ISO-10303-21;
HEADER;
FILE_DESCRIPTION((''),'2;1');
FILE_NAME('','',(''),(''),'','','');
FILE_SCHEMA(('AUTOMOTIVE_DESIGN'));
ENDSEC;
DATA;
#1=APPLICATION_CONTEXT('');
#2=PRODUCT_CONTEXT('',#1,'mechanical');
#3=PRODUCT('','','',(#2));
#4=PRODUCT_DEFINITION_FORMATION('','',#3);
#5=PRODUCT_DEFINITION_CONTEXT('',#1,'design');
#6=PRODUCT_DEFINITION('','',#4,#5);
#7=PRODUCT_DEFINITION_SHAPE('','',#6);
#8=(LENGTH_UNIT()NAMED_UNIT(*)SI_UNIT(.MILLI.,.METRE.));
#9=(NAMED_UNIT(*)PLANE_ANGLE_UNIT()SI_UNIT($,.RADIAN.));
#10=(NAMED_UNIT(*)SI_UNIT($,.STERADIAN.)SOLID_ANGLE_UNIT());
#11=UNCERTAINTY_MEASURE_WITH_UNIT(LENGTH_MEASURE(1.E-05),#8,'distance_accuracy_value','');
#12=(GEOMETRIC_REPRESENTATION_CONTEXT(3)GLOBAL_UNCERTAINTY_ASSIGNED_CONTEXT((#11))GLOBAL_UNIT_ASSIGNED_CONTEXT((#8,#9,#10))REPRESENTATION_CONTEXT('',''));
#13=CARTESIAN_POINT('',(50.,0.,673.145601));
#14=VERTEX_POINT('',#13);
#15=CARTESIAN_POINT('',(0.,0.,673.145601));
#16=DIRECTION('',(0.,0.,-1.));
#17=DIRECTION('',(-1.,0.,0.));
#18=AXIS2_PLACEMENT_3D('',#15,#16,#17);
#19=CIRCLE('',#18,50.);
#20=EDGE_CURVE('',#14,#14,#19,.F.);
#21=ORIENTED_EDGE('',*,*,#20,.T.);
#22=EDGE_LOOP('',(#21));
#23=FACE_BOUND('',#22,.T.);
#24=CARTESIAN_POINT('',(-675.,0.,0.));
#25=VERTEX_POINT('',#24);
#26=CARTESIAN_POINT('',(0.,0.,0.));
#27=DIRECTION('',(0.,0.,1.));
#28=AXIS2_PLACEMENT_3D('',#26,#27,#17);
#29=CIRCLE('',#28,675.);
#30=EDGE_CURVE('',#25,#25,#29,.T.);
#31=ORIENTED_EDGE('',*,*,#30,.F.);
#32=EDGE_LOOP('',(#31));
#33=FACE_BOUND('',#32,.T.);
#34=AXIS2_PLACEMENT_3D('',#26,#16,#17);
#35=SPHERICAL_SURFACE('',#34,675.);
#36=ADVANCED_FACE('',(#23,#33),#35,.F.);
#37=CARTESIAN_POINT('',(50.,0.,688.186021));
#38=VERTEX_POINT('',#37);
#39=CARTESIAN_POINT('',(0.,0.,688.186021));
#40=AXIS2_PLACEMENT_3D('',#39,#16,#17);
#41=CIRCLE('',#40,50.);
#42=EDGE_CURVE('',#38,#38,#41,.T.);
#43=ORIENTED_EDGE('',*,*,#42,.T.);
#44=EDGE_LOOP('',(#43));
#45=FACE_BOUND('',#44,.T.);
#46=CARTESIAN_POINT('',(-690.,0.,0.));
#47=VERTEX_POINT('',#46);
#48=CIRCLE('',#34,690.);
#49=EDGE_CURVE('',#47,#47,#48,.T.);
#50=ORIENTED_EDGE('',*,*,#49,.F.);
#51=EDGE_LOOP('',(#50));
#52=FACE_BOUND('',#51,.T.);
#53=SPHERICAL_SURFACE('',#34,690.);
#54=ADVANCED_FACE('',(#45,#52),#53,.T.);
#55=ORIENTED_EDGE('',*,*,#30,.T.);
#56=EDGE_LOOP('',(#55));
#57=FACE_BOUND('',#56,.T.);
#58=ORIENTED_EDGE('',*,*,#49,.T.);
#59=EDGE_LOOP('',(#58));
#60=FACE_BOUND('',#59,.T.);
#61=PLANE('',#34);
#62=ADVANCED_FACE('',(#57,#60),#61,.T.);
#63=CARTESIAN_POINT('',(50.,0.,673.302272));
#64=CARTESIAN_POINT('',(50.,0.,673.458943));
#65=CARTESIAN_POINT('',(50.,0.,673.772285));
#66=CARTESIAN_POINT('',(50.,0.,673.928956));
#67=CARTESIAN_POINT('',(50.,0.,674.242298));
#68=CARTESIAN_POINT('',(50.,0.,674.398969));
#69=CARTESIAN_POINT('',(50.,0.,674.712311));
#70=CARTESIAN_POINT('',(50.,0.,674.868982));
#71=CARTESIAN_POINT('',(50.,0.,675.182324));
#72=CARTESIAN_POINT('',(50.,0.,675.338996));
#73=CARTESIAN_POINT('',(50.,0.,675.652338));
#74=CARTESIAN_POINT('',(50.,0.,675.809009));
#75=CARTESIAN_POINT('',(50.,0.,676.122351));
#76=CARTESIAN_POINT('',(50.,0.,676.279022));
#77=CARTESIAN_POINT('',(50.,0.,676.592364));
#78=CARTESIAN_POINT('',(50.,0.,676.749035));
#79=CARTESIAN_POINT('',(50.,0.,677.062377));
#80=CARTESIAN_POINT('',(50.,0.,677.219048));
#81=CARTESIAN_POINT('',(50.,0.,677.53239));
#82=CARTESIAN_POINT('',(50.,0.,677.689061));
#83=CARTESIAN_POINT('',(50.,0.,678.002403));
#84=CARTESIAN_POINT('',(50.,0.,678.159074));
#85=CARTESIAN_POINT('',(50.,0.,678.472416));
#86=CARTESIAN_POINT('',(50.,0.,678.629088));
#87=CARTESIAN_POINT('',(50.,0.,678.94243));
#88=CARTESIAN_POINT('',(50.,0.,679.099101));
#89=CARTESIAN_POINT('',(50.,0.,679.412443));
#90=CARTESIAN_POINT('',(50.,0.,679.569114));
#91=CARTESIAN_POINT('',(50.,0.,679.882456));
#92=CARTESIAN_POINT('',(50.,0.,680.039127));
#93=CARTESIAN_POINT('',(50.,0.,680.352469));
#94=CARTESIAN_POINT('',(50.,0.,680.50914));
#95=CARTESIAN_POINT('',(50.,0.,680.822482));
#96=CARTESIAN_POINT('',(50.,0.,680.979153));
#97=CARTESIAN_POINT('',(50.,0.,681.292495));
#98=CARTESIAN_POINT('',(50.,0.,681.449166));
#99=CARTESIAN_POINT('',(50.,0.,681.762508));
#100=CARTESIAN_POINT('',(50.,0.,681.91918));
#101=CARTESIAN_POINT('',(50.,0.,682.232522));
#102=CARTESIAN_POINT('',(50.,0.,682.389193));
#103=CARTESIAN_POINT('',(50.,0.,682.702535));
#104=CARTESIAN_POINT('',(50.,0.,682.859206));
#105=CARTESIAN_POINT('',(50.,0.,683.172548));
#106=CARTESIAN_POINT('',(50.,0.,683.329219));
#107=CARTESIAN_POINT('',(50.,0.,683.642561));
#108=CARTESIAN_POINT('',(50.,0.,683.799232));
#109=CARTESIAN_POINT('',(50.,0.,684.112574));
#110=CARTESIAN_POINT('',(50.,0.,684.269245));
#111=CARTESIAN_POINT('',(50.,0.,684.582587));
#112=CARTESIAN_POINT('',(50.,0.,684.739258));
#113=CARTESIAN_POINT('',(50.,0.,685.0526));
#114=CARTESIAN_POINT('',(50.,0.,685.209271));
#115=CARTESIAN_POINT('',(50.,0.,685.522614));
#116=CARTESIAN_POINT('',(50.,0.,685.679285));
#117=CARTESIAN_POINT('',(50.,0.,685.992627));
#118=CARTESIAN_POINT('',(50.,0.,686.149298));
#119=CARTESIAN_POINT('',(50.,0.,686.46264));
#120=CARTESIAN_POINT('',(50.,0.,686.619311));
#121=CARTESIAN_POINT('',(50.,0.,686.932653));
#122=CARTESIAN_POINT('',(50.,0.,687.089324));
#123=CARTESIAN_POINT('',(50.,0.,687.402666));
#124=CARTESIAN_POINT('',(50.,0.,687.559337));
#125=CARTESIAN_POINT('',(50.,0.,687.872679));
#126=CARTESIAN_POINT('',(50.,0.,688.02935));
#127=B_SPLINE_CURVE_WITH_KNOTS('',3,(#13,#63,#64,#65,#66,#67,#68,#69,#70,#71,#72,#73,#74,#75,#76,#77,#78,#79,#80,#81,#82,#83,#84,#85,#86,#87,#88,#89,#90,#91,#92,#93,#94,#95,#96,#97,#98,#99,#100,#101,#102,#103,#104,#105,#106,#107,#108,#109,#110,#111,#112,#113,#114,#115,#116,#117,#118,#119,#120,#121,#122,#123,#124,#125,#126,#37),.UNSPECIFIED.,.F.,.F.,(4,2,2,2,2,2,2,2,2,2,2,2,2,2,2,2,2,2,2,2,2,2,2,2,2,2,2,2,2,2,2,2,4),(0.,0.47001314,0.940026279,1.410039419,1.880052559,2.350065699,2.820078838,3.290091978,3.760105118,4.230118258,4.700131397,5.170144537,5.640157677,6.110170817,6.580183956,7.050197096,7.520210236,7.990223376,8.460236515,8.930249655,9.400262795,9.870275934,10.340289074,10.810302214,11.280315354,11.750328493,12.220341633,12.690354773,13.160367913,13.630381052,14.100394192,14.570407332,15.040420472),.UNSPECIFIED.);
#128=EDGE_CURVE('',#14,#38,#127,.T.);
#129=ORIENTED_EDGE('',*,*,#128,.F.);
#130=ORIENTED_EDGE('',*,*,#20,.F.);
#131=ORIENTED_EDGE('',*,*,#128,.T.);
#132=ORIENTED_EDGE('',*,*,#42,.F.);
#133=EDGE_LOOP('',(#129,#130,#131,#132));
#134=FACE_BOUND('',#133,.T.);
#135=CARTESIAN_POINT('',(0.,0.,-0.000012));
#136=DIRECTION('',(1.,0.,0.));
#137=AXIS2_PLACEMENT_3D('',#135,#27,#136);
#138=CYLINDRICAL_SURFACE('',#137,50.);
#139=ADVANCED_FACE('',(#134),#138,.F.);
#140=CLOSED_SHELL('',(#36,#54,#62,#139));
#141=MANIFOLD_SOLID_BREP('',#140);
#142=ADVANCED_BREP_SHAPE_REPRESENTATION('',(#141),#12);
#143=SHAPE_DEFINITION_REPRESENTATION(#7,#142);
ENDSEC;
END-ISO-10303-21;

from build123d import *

# Parameters (mm, degrees)
REVOLVE1_ANGLE          = 180
CUT_EXTRUDE5_DEPTH      = 1196.115057223
CUT_EXTRUDE5_DEPTH_BACK = 1196.115057223
SKETCH2_R               = 50


with BuildPart() as part:
    # Sketch1 → Revolve1 (revolve)
    with BuildSketch(Plane.XY):
        with BuildLine():
            Line((0, 690), (0, 675))
            ThreePointArc((0, 675), (675, 0), (0, -675))
            Line((0, -675), (0, -690))
            ThreePointArc((0, -690), (690, 0), (0, 690))
        make_face()
    revolve(axis=Axis((0, -675, 0), (0, -1, 0)), revolution_arc=REVOLVE1_ANGLE)

    # Sketch2 → Cut-Extrude5 (cut, two sides: drawn at the far end of the back side and taken through both)
    with BuildSketch(Plane.XY.offset(-CUT_EXTRUDE5_DEPTH_BACK)):
        Circle(SKETCH2_R)
    extrude(amount=CUT_EXTRUDE5_DEPTH + CUT_EXTRUDE5_DEPTH_BACK, mode=Mode.SUBTRACT)


solid = part.part
